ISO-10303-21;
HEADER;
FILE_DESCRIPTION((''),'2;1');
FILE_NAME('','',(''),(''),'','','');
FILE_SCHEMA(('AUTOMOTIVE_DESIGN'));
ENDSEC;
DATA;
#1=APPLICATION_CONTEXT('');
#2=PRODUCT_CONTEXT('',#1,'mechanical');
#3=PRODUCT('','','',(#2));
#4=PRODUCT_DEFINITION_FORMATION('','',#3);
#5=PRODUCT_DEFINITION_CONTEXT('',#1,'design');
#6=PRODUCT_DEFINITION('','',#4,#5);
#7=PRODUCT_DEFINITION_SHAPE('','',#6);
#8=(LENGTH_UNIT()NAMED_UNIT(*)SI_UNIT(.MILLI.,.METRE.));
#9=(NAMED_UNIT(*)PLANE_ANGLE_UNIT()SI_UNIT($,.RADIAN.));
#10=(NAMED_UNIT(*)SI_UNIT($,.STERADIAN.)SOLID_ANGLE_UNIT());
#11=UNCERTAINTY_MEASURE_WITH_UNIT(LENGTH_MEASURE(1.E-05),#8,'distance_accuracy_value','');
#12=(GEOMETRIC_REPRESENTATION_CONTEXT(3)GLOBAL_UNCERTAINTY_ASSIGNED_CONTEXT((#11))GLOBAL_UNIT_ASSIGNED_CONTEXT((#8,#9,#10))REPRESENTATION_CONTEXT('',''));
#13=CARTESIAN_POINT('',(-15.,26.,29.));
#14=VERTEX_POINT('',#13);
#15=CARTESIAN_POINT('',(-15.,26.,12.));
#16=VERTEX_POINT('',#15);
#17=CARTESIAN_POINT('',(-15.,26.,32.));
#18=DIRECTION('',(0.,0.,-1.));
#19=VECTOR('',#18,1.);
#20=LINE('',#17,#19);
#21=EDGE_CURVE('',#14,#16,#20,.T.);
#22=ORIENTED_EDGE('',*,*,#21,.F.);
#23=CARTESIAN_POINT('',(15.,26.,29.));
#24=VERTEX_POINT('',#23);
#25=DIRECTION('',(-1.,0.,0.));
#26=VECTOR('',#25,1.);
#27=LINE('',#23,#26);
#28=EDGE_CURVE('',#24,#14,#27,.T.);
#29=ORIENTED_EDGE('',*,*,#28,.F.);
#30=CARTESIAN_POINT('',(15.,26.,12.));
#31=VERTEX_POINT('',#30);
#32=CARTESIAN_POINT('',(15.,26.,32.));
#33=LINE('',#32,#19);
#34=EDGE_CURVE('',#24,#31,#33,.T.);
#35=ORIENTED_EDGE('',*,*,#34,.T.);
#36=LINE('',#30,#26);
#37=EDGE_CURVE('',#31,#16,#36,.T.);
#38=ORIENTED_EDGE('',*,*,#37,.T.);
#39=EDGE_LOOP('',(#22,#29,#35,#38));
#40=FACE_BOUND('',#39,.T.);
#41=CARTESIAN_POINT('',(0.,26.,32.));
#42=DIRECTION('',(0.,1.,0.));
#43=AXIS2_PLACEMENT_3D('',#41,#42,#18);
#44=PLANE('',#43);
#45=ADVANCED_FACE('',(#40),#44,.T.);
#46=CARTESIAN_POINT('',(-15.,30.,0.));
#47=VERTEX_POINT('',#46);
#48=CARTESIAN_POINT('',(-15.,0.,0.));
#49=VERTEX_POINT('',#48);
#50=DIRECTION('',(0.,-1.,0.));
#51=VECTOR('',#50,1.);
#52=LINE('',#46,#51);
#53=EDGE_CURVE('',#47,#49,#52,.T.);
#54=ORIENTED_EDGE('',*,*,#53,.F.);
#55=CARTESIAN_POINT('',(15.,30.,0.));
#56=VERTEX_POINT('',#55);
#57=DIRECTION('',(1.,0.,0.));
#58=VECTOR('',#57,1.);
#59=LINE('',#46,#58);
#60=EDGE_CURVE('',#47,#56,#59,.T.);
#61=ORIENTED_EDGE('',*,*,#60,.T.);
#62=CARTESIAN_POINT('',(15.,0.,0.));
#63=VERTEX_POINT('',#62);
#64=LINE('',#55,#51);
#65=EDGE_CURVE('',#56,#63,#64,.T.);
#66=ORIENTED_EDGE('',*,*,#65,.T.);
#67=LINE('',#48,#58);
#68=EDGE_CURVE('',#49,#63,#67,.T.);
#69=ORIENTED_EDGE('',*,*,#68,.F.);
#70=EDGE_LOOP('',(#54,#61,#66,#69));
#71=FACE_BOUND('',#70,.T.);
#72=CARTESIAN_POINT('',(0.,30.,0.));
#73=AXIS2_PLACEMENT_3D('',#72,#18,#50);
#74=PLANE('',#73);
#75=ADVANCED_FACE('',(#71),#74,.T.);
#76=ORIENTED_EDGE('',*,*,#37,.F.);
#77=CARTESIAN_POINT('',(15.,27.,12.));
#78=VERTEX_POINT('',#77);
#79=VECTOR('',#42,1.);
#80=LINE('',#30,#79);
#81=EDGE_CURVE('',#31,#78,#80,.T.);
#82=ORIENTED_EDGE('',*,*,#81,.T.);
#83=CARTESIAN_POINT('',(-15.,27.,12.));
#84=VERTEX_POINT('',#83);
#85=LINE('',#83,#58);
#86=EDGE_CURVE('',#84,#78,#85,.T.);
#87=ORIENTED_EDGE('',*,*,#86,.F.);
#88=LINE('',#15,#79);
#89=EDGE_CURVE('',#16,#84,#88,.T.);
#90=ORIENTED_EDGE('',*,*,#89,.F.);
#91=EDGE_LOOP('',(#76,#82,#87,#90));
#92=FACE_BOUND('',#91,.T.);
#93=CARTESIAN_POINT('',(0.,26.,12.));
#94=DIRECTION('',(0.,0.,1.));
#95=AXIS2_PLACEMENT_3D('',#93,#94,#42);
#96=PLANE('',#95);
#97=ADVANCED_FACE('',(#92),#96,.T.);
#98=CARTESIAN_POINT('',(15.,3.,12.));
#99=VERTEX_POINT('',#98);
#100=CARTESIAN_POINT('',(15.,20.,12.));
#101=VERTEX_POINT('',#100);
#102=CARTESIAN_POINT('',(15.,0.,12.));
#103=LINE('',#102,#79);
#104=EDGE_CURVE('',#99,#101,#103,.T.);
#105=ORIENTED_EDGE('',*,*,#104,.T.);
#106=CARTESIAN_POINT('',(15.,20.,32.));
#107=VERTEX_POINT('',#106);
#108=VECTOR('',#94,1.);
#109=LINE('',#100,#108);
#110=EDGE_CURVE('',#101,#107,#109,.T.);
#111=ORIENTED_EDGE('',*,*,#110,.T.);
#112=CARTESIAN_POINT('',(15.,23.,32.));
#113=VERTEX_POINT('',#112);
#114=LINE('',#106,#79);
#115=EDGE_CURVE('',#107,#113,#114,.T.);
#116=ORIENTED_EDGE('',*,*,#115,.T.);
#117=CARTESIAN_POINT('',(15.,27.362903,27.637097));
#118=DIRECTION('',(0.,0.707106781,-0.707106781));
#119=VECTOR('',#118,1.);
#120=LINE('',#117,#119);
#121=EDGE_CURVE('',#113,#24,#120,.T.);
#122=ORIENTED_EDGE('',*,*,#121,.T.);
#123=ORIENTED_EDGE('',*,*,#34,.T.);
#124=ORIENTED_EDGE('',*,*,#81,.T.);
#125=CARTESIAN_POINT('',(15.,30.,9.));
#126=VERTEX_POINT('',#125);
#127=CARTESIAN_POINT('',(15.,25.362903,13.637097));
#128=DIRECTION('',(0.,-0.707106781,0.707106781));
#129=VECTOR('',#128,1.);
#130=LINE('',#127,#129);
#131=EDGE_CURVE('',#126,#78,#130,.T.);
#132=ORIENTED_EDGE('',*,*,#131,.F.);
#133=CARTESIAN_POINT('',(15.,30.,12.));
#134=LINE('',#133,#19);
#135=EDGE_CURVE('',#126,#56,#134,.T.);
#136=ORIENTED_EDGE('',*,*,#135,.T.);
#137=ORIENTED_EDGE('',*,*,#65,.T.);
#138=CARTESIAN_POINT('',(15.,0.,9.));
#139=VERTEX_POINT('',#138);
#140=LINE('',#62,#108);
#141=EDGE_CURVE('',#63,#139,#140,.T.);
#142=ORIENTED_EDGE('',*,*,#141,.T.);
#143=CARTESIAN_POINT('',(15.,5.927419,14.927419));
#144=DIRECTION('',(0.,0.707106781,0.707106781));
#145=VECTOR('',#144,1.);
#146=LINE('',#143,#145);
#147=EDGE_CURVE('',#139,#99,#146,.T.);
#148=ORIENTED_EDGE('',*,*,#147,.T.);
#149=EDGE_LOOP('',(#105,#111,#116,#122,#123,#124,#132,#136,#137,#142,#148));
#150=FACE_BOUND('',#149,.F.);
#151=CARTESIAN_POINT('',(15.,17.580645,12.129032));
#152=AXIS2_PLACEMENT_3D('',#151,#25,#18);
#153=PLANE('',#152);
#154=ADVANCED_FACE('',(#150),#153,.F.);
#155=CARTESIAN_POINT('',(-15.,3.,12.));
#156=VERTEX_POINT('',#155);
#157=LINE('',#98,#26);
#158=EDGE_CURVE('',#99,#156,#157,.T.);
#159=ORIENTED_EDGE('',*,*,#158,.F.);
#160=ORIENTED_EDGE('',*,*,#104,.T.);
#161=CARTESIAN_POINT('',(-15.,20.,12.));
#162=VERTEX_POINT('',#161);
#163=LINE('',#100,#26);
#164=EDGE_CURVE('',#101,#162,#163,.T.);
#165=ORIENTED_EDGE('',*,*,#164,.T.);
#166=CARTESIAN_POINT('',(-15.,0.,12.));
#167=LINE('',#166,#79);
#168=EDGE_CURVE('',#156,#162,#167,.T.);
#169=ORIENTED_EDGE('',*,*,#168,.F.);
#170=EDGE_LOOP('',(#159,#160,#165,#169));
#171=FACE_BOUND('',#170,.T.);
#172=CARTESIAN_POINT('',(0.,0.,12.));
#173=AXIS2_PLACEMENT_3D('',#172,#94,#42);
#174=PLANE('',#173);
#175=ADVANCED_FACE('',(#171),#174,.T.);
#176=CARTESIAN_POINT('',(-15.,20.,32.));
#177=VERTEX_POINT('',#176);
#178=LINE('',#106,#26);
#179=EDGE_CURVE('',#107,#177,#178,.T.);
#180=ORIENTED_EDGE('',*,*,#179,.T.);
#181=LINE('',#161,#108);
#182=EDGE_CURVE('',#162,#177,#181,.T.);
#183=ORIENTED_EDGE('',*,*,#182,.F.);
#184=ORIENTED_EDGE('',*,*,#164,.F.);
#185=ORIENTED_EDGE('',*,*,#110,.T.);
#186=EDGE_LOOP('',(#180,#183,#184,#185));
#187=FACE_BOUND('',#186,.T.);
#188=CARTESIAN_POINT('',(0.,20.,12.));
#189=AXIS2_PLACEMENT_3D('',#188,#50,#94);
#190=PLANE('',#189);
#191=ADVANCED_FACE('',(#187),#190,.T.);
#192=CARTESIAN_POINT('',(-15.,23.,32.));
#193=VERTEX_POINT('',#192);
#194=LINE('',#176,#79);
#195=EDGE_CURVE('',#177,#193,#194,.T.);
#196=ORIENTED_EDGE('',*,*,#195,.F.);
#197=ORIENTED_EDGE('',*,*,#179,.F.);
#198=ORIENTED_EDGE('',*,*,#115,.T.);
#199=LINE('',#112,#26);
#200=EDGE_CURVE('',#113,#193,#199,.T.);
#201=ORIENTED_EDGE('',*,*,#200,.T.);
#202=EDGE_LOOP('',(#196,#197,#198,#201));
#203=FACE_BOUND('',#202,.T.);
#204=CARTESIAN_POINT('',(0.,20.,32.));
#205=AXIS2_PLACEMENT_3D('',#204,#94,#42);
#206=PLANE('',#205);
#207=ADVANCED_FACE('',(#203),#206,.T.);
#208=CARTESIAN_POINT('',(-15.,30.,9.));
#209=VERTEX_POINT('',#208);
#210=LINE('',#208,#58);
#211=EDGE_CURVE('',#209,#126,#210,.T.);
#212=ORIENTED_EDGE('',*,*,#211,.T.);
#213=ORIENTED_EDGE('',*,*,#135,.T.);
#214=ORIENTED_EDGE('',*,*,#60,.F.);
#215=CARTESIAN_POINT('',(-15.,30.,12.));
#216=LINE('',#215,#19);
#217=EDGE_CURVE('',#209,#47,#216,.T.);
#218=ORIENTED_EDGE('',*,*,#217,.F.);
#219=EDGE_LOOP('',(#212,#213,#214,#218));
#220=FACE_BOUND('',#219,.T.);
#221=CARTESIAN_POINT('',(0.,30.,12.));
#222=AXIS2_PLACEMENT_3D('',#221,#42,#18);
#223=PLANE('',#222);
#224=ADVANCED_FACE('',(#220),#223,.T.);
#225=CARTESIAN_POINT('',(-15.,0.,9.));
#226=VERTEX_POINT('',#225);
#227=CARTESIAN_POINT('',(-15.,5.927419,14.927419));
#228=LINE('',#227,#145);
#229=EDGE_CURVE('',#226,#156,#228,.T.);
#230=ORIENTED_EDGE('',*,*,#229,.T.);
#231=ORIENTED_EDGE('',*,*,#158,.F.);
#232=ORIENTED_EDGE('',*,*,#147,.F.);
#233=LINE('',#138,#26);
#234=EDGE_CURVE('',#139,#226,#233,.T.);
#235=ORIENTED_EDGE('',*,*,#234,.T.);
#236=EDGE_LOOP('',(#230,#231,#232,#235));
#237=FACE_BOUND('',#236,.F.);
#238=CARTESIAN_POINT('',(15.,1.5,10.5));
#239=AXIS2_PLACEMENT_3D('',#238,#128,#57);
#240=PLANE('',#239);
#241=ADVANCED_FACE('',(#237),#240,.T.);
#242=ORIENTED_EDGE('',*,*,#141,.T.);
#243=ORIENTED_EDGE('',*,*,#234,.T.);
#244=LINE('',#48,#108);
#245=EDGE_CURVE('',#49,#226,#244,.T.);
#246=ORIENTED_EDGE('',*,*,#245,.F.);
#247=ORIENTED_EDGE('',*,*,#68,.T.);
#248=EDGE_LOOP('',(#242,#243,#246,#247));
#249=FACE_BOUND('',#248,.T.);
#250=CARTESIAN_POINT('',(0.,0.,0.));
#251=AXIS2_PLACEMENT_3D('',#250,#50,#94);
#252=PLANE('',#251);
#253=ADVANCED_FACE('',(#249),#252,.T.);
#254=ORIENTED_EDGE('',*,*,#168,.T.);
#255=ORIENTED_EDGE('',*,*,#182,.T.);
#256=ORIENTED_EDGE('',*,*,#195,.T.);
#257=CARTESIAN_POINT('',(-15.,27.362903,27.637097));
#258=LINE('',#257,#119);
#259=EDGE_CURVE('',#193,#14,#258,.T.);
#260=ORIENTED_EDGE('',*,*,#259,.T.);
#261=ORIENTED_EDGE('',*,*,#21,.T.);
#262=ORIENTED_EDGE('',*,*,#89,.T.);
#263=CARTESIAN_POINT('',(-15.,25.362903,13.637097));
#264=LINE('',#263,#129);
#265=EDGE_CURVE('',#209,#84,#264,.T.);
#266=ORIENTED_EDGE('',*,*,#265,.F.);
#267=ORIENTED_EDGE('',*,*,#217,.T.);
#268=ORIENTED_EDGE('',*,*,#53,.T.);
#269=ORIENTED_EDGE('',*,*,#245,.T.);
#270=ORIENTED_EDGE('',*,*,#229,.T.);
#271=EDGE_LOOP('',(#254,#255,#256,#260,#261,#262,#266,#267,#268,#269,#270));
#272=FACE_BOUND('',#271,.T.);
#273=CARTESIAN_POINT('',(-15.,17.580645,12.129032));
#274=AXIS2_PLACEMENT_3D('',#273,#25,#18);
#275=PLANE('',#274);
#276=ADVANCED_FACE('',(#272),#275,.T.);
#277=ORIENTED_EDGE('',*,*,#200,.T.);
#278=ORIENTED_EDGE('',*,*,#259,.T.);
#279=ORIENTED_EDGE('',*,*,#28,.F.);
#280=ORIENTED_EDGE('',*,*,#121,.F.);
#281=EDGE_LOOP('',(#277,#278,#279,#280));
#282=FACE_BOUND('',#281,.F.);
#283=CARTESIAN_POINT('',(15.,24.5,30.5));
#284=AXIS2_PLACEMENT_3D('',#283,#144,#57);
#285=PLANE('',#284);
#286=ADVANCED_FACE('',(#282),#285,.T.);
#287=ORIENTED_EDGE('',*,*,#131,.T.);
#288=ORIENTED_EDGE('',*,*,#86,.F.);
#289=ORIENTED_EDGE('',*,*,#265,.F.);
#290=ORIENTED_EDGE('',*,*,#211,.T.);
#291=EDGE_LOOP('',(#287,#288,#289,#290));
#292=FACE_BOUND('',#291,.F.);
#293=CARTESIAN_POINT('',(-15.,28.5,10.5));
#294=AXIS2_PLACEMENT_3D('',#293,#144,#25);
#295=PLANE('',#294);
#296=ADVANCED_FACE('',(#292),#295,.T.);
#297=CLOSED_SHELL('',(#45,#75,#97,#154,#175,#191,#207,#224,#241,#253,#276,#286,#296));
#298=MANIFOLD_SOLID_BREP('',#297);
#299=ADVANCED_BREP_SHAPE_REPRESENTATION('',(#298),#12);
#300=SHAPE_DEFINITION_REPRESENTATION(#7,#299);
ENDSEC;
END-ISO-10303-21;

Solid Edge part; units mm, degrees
sketch "Sketch1" plane through (0, 0, 0) normal (1, 0, 0) x (0, 1, 0)
  line L0 (0, 0) -> (0, 12)
  line L1 (0, 12) -> (20, 12)
  line L2 (20, 12) -> (20, 32)
  line L3 (20, 32) -> (26, 32)
  line L4 (26, 32) -> (26, 12)
  line L5 (26, 12) -> (30, 12)
  line L6 (30, 12) -> (30, 0)
  line L7 (30, 0) -> (0, 0)
  dimension "D1" = 30
  dimension "D2" = 12
  dimension "D3" = 20
  dimension "D4" = 20
  dimension "D5" = 4
extrude "Protrusion1" add sketch "Sketch1" along normal mid plane 30
chamfer "chamfer" distance 3 angle 45 3 edges at (0, 30, 12) (0, 26, 32) (0, 0, 12)
properties material "Polyethylene (low density)"
